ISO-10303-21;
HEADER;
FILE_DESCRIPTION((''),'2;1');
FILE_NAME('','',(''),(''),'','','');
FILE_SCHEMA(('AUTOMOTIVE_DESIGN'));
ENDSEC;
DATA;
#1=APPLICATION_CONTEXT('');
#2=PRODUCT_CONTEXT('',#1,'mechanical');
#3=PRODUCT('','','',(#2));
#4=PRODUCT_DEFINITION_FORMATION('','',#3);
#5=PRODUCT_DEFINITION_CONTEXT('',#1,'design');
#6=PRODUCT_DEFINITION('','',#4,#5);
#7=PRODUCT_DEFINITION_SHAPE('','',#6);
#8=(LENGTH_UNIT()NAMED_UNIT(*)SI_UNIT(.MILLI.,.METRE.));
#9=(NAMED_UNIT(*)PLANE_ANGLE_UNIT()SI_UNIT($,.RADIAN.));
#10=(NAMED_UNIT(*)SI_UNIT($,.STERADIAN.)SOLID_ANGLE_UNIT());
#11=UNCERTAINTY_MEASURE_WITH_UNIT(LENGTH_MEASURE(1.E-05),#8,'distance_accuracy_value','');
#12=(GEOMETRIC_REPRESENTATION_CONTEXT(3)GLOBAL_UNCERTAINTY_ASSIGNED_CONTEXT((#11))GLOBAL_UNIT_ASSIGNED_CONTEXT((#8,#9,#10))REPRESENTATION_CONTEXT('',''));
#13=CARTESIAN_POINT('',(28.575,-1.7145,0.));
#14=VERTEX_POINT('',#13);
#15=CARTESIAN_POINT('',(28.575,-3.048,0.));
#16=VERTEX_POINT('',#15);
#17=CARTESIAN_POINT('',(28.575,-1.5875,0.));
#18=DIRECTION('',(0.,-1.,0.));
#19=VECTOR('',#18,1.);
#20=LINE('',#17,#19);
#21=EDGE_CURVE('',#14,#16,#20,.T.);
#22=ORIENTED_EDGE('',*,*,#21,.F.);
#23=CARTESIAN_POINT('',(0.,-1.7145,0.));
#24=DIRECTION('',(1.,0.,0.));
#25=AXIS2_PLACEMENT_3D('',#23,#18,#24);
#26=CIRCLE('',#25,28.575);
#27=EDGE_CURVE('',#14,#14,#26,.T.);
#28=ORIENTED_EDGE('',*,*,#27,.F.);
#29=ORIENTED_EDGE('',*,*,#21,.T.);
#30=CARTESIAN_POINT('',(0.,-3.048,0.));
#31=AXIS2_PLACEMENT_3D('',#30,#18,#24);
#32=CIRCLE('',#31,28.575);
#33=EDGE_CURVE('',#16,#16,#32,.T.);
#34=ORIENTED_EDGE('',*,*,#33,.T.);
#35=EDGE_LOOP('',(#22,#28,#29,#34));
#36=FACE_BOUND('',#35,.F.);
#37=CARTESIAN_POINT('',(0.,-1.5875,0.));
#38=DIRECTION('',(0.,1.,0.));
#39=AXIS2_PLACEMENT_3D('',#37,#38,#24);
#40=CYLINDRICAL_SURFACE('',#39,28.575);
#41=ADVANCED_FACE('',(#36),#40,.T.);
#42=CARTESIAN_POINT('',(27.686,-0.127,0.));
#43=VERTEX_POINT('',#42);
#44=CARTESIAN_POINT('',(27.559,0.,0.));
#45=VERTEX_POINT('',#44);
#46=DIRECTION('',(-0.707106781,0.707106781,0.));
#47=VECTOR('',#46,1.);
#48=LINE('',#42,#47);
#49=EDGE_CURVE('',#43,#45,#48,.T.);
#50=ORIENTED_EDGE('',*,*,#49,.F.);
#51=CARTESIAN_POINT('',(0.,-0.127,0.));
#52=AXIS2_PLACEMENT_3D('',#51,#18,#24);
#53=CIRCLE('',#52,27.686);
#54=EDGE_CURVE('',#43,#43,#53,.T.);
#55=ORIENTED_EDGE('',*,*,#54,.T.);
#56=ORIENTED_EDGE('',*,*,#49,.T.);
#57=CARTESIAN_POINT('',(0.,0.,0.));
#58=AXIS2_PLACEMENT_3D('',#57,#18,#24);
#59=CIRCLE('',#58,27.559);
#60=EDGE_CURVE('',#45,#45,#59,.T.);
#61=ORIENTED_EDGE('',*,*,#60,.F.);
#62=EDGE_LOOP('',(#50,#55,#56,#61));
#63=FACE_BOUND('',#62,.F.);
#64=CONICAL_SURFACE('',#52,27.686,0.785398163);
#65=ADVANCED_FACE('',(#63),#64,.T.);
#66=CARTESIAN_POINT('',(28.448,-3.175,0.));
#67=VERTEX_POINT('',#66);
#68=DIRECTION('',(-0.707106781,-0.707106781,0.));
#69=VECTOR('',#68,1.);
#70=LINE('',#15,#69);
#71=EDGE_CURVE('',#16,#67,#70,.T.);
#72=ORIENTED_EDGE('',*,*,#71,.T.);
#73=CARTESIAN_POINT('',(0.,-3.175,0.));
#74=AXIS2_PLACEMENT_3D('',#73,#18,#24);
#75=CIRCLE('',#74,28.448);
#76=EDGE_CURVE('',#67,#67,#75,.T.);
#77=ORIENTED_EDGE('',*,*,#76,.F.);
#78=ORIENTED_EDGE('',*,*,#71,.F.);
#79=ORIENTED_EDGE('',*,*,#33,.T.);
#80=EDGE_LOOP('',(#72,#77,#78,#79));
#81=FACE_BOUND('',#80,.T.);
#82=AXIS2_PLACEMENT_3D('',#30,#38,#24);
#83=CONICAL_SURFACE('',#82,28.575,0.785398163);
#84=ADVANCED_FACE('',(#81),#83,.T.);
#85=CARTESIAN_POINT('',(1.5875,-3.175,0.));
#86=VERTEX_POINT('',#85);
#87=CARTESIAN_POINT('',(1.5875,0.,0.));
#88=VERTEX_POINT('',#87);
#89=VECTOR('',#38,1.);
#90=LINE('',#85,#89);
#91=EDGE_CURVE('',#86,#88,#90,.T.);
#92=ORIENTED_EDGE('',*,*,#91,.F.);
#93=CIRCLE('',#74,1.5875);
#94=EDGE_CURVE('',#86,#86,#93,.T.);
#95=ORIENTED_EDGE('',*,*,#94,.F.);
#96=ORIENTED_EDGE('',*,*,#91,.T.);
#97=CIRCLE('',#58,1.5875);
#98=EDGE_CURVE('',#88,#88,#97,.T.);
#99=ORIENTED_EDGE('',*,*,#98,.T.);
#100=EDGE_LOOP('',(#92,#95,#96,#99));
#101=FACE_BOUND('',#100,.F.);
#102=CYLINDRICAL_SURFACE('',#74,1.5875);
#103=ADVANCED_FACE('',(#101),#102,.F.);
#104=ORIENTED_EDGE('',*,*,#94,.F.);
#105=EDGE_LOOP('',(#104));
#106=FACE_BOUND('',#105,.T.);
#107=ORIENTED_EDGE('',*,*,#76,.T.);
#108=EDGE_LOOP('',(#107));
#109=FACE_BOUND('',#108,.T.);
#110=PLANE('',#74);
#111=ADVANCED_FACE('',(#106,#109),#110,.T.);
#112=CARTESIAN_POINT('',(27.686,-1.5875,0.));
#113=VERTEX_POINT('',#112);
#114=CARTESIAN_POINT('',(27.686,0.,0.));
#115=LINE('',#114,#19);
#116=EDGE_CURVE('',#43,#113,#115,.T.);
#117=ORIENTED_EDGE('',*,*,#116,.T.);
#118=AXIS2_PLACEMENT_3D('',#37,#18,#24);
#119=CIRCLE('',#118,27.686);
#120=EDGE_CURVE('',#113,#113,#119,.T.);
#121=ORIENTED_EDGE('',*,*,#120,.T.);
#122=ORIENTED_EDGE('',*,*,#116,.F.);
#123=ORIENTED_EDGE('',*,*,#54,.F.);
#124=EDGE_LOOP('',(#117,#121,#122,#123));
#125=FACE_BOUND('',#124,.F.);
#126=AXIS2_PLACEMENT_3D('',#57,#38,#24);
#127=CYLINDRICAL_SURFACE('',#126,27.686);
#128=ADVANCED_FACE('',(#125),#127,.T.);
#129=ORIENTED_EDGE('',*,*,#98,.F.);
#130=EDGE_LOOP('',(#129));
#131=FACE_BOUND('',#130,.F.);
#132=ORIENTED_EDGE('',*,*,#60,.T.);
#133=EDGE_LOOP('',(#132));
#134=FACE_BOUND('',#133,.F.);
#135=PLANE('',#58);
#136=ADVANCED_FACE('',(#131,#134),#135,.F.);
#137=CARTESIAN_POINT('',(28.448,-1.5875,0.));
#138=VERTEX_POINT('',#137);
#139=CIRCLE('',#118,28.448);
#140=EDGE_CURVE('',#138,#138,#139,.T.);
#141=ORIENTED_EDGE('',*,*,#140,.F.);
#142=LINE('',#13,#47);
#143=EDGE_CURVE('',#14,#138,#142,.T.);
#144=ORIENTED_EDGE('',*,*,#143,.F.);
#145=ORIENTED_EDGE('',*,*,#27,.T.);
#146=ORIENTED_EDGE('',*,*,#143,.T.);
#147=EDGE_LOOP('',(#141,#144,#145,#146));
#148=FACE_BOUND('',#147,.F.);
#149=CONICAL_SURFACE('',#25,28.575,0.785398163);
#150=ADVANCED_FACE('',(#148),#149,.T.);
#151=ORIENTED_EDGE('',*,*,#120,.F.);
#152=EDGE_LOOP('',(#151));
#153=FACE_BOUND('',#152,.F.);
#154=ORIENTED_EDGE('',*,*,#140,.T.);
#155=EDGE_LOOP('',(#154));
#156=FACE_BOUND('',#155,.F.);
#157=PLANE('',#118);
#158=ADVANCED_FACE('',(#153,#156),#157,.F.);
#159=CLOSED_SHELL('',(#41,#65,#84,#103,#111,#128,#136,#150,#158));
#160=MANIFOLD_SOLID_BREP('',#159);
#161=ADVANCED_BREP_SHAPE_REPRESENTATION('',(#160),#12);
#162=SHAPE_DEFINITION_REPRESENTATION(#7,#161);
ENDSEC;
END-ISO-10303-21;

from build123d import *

# Parameters (mm, degrees)
F0_R     = 27.686
F1_DEPTH = 1.5875
F2_R     = 28.575
F3_DEPTH = 1.5875
F4_R     = 1.5875
F5_DEPTH = 3.176
F6_SIZE  = 0.127


with BuildPart() as f1:
    # F0 (on Front) → F1 (new body)
    with BuildSketch(Plane.XZ):
        Circle(F0_R)
    extrude(amount=F1_DEPTH)

    # F2 (on face) → F3 (join)
    with BuildSketch(Plane.XZ.offset(1.5875)):
        Circle(F2_R)
    extrude(amount=F3_DEPTH)

    # F4 (on face) → F5 (cut, through all)
    with BuildSketch(Plane.XZ.offset(3.175)):
        Circle(F4_R)
    extrude(amount=-F5_DEPTH, mode=Mode.SUBTRACT)

    # F6
    f6_edges = [f1.edges().sort_by_distance(p)[0] for p in [
        (-28.575, -3.175, 0),
        (-27.686, 0, 0),
        (-28.575, -1.5875, 0),
    ]]
    chamfer(f6_edges, length=F6_SIZE)


solid = f1.part
